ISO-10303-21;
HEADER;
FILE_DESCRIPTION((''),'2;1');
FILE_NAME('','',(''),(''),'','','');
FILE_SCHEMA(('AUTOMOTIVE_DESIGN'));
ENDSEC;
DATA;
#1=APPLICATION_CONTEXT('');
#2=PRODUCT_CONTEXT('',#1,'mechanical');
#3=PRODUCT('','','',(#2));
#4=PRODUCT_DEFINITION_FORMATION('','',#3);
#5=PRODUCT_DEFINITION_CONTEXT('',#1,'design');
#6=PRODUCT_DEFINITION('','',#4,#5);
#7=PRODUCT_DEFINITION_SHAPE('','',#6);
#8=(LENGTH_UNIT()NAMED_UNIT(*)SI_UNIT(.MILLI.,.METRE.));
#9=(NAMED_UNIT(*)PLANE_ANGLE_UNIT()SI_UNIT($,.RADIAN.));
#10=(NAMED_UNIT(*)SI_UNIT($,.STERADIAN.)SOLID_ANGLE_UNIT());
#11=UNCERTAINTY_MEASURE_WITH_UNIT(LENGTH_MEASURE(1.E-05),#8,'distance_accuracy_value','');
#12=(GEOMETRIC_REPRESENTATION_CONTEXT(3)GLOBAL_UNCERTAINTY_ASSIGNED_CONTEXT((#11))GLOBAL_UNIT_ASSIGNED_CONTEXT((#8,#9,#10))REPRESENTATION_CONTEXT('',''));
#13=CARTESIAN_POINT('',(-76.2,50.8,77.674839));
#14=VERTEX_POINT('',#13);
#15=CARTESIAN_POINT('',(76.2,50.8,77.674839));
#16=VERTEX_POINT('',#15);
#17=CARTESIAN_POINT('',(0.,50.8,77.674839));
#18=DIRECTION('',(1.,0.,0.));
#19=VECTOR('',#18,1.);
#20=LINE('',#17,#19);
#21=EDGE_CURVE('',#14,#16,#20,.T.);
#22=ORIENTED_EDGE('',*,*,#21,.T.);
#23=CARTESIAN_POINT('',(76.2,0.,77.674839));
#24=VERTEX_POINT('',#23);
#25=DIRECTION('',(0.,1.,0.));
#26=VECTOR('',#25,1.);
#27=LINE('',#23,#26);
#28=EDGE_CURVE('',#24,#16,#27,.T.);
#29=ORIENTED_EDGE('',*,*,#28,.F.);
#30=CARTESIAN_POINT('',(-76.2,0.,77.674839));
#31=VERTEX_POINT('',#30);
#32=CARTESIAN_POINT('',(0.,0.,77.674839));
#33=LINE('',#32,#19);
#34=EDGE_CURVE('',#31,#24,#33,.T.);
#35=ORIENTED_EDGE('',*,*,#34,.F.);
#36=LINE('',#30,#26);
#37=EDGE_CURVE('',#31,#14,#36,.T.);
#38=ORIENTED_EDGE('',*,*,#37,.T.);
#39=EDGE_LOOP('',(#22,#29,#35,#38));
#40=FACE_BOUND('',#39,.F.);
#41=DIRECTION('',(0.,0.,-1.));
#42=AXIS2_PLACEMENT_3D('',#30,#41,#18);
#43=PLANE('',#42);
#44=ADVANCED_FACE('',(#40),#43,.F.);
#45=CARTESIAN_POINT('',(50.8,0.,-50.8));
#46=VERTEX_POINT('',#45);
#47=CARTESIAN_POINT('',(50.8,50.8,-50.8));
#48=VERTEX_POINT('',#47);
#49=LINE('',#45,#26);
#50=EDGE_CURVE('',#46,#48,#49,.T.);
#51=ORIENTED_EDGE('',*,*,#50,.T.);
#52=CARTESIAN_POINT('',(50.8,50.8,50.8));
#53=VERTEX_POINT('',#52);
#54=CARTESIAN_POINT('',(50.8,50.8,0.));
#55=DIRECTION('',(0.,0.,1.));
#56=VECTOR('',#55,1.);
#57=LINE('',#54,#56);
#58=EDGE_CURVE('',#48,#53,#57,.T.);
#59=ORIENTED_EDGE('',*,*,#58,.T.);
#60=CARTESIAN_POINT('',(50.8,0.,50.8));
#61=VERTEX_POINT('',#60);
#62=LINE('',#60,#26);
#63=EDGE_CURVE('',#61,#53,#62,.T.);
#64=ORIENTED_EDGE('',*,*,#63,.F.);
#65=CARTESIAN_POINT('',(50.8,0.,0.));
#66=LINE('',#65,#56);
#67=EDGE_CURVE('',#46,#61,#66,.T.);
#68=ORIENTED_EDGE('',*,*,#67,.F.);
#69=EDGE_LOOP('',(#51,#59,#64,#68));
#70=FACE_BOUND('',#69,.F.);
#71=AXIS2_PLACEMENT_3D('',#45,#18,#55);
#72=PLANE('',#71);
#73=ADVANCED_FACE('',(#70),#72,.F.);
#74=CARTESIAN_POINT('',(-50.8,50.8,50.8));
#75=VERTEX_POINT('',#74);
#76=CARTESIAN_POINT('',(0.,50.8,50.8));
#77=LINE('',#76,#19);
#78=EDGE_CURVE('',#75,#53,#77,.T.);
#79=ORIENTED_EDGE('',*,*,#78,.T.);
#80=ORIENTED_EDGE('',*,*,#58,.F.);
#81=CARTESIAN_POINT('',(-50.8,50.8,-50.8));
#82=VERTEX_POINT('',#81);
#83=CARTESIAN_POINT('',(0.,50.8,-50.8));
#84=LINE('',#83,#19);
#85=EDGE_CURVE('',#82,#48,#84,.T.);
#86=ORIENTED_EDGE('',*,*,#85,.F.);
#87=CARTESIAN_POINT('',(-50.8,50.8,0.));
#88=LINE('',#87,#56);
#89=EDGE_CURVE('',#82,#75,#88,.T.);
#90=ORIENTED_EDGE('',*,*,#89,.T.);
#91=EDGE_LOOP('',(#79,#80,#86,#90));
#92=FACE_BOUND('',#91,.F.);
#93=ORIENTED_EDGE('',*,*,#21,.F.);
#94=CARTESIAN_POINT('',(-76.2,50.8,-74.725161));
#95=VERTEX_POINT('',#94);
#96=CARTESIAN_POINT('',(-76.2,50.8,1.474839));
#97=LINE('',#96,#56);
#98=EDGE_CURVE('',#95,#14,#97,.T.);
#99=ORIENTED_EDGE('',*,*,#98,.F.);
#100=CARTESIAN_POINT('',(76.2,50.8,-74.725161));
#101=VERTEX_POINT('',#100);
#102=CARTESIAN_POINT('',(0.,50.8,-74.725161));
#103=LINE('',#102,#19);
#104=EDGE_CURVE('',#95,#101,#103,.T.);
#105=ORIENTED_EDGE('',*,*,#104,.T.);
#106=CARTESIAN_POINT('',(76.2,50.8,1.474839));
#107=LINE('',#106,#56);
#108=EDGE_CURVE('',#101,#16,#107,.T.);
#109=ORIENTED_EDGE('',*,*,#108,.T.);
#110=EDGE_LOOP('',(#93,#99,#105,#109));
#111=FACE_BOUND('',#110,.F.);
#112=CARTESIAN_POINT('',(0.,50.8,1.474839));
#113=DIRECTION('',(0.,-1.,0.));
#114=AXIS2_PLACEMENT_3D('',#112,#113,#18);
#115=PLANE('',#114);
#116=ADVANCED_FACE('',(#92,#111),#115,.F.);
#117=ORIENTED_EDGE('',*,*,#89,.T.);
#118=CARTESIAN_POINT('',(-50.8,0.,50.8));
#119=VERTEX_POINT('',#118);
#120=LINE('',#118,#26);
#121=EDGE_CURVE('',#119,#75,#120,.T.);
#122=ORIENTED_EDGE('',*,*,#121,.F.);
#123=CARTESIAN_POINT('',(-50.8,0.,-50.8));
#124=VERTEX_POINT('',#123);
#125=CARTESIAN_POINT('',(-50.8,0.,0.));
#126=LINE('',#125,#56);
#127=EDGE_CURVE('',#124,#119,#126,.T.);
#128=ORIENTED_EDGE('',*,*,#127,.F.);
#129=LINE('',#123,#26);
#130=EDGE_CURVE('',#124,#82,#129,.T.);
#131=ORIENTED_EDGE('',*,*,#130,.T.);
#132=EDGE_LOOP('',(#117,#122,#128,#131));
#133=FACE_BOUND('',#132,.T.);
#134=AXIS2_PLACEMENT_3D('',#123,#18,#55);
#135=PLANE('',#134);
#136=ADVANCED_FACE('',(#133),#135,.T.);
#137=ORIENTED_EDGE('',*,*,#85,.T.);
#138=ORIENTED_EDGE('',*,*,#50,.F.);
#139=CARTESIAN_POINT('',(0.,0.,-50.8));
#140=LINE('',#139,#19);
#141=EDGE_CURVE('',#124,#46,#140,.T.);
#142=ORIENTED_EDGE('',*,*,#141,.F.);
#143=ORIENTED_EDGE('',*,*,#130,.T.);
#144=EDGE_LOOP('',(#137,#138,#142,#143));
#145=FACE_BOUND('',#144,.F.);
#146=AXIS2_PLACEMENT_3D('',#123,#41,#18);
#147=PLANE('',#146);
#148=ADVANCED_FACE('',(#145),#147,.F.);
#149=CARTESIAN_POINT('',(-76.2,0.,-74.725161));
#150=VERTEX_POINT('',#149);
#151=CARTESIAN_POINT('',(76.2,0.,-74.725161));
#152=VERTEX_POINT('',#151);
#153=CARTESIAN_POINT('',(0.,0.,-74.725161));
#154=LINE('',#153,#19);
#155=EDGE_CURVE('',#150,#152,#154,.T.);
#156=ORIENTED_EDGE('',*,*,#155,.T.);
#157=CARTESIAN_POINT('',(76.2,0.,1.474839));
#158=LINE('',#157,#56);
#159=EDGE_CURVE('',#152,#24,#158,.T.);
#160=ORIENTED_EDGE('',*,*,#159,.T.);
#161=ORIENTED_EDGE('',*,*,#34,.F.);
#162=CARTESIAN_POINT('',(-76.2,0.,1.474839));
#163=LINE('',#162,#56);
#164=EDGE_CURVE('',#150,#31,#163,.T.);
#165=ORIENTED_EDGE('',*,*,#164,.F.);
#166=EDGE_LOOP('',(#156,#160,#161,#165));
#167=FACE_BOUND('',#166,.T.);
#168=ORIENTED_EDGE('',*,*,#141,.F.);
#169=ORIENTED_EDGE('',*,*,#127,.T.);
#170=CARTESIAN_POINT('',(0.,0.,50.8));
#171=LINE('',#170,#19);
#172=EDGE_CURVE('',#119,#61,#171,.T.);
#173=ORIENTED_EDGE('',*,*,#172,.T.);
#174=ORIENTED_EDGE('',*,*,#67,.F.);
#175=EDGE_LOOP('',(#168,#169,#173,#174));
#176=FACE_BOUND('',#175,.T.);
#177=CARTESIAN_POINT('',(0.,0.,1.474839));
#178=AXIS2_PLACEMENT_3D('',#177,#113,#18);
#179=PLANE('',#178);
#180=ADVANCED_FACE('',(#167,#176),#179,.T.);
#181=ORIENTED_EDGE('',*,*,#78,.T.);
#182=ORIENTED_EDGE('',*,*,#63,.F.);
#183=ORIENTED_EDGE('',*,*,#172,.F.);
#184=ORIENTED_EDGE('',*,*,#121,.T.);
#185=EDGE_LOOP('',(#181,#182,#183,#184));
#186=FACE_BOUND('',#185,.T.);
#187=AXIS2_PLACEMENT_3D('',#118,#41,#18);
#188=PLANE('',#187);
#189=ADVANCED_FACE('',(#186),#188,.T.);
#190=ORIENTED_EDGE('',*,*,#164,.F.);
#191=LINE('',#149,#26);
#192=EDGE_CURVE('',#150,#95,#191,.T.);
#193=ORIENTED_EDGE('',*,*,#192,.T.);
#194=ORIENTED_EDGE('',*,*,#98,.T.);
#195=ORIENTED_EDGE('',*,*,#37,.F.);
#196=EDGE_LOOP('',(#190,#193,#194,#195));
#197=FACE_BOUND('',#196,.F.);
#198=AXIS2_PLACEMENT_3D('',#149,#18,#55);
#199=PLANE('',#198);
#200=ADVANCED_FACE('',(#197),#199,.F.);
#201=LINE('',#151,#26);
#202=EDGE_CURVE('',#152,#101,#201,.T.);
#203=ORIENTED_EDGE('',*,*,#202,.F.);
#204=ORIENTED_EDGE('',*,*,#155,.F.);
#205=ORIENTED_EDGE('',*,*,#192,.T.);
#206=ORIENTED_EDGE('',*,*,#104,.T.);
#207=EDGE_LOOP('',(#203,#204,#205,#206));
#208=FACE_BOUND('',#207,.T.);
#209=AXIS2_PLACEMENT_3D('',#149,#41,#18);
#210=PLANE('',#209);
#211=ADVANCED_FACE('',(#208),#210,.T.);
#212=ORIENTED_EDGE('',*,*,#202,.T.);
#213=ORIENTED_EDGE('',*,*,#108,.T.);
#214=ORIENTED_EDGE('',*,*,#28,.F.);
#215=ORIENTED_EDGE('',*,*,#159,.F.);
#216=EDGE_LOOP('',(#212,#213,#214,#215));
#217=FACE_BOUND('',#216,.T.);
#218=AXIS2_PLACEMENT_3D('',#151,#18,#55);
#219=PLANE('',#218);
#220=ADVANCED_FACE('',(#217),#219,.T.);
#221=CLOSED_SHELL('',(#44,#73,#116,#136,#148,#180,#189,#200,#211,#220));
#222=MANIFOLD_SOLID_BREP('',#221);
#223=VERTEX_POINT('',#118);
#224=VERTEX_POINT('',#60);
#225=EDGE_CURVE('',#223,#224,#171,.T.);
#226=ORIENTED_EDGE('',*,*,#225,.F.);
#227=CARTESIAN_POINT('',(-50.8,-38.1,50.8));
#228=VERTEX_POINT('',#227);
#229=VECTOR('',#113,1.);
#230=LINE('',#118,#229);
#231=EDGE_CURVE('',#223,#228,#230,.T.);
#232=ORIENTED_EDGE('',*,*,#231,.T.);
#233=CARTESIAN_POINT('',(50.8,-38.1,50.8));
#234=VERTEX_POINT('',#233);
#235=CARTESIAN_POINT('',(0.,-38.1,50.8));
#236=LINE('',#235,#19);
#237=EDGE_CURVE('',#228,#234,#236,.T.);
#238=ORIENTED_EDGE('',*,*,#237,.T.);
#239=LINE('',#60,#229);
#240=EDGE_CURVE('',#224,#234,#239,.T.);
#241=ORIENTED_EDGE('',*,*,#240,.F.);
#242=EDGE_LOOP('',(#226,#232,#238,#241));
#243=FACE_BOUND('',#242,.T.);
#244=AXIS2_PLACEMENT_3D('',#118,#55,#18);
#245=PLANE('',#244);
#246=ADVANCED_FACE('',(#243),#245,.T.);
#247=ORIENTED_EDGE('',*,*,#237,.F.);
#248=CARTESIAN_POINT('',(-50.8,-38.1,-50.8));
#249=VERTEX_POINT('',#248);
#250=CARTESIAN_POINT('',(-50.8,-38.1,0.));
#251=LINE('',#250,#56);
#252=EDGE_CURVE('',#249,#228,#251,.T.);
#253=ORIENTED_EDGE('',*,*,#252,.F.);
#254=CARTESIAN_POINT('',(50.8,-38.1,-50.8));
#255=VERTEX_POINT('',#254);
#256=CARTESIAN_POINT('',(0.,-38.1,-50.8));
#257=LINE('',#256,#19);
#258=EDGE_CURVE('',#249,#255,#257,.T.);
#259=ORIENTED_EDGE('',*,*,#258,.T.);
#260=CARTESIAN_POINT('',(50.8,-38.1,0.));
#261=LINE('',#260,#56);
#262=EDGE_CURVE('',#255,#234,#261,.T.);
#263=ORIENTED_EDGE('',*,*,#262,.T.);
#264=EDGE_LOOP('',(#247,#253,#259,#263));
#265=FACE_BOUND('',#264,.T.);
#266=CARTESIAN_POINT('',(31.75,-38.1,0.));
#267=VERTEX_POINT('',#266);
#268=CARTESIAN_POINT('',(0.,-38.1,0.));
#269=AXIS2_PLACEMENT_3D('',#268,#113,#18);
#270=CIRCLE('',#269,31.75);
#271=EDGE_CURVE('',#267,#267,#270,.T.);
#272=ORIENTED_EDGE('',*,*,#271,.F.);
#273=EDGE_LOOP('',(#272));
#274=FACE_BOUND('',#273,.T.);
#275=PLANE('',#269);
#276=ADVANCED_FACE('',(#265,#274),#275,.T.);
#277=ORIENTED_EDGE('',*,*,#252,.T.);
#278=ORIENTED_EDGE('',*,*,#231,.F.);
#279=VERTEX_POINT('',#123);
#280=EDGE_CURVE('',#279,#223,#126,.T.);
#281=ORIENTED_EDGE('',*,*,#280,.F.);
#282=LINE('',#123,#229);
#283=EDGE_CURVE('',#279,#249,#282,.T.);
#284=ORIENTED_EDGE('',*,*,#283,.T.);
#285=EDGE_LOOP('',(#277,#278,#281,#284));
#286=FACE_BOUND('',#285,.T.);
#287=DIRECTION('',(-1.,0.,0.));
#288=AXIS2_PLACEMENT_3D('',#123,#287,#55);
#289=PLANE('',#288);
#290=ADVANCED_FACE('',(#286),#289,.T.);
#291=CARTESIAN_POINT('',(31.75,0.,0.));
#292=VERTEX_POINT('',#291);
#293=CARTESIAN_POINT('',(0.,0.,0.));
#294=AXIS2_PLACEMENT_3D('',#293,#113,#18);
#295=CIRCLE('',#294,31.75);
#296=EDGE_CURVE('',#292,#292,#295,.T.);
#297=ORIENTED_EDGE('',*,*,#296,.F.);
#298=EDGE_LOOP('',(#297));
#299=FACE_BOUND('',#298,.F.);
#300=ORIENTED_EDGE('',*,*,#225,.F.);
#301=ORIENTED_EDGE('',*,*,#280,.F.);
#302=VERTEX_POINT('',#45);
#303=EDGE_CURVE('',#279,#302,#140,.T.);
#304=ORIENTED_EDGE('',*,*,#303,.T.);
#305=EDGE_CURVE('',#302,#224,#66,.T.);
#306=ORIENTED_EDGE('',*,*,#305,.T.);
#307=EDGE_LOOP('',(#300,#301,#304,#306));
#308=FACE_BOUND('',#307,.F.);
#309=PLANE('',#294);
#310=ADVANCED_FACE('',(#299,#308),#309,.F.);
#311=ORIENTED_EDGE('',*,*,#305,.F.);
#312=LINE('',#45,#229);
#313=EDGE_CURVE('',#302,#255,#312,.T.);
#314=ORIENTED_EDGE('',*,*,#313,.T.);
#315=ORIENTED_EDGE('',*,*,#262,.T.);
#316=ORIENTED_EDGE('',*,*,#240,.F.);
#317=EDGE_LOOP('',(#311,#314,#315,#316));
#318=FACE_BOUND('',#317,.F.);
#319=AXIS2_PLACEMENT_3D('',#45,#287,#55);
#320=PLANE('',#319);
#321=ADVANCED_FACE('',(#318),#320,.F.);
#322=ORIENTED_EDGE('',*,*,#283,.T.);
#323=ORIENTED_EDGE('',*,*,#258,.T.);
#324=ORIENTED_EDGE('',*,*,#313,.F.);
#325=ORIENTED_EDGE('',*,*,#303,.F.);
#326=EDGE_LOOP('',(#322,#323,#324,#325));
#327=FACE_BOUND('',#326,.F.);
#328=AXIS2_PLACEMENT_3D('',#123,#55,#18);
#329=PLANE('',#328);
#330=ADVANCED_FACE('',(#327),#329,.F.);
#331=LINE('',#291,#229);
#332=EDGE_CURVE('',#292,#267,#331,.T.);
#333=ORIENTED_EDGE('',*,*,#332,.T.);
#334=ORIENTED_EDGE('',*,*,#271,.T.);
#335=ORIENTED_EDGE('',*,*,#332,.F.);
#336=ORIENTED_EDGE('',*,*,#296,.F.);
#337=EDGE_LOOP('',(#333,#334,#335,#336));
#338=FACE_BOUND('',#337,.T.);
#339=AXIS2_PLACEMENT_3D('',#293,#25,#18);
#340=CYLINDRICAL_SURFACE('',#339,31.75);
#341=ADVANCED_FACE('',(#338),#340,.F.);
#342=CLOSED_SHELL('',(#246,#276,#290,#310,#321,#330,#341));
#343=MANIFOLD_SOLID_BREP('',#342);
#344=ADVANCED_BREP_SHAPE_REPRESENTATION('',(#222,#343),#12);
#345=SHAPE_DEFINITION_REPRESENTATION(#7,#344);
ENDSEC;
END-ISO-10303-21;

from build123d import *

# Parameters (mm, degrees)
F0_W     = 101.6
F0_H     = 101.6
F0_R     = 31.75
F1_DEPTH = 38.1
F0_W_2   = 152.4
F0_H_2   = 152.4
F2_DEPTH = 50.8


with BuildPart() as f1:
    # F0 (on Front) → F1 (new body)
    with BuildSketch(Plane.XZ):
        Rectangle(F0_W, F0_H)
        Circle(F0_R, mode=Mode.SUBTRACT)
    extrude(amount=F1_DEPTH)


with BuildPart() as f2:
    # F0 (on Front) → F2 (new body)
    with BuildSketch(Plane.XZ):
        with Locations((0, 1.474839)):
            Rectangle(F0_W_2, F0_H_2)
        Rectangle(F0_W, F0_H, mode=Mode.SUBTRACT)
    extrude(amount=-F2_DEPTH)


solid = Compound([f1.part, f2.part])
